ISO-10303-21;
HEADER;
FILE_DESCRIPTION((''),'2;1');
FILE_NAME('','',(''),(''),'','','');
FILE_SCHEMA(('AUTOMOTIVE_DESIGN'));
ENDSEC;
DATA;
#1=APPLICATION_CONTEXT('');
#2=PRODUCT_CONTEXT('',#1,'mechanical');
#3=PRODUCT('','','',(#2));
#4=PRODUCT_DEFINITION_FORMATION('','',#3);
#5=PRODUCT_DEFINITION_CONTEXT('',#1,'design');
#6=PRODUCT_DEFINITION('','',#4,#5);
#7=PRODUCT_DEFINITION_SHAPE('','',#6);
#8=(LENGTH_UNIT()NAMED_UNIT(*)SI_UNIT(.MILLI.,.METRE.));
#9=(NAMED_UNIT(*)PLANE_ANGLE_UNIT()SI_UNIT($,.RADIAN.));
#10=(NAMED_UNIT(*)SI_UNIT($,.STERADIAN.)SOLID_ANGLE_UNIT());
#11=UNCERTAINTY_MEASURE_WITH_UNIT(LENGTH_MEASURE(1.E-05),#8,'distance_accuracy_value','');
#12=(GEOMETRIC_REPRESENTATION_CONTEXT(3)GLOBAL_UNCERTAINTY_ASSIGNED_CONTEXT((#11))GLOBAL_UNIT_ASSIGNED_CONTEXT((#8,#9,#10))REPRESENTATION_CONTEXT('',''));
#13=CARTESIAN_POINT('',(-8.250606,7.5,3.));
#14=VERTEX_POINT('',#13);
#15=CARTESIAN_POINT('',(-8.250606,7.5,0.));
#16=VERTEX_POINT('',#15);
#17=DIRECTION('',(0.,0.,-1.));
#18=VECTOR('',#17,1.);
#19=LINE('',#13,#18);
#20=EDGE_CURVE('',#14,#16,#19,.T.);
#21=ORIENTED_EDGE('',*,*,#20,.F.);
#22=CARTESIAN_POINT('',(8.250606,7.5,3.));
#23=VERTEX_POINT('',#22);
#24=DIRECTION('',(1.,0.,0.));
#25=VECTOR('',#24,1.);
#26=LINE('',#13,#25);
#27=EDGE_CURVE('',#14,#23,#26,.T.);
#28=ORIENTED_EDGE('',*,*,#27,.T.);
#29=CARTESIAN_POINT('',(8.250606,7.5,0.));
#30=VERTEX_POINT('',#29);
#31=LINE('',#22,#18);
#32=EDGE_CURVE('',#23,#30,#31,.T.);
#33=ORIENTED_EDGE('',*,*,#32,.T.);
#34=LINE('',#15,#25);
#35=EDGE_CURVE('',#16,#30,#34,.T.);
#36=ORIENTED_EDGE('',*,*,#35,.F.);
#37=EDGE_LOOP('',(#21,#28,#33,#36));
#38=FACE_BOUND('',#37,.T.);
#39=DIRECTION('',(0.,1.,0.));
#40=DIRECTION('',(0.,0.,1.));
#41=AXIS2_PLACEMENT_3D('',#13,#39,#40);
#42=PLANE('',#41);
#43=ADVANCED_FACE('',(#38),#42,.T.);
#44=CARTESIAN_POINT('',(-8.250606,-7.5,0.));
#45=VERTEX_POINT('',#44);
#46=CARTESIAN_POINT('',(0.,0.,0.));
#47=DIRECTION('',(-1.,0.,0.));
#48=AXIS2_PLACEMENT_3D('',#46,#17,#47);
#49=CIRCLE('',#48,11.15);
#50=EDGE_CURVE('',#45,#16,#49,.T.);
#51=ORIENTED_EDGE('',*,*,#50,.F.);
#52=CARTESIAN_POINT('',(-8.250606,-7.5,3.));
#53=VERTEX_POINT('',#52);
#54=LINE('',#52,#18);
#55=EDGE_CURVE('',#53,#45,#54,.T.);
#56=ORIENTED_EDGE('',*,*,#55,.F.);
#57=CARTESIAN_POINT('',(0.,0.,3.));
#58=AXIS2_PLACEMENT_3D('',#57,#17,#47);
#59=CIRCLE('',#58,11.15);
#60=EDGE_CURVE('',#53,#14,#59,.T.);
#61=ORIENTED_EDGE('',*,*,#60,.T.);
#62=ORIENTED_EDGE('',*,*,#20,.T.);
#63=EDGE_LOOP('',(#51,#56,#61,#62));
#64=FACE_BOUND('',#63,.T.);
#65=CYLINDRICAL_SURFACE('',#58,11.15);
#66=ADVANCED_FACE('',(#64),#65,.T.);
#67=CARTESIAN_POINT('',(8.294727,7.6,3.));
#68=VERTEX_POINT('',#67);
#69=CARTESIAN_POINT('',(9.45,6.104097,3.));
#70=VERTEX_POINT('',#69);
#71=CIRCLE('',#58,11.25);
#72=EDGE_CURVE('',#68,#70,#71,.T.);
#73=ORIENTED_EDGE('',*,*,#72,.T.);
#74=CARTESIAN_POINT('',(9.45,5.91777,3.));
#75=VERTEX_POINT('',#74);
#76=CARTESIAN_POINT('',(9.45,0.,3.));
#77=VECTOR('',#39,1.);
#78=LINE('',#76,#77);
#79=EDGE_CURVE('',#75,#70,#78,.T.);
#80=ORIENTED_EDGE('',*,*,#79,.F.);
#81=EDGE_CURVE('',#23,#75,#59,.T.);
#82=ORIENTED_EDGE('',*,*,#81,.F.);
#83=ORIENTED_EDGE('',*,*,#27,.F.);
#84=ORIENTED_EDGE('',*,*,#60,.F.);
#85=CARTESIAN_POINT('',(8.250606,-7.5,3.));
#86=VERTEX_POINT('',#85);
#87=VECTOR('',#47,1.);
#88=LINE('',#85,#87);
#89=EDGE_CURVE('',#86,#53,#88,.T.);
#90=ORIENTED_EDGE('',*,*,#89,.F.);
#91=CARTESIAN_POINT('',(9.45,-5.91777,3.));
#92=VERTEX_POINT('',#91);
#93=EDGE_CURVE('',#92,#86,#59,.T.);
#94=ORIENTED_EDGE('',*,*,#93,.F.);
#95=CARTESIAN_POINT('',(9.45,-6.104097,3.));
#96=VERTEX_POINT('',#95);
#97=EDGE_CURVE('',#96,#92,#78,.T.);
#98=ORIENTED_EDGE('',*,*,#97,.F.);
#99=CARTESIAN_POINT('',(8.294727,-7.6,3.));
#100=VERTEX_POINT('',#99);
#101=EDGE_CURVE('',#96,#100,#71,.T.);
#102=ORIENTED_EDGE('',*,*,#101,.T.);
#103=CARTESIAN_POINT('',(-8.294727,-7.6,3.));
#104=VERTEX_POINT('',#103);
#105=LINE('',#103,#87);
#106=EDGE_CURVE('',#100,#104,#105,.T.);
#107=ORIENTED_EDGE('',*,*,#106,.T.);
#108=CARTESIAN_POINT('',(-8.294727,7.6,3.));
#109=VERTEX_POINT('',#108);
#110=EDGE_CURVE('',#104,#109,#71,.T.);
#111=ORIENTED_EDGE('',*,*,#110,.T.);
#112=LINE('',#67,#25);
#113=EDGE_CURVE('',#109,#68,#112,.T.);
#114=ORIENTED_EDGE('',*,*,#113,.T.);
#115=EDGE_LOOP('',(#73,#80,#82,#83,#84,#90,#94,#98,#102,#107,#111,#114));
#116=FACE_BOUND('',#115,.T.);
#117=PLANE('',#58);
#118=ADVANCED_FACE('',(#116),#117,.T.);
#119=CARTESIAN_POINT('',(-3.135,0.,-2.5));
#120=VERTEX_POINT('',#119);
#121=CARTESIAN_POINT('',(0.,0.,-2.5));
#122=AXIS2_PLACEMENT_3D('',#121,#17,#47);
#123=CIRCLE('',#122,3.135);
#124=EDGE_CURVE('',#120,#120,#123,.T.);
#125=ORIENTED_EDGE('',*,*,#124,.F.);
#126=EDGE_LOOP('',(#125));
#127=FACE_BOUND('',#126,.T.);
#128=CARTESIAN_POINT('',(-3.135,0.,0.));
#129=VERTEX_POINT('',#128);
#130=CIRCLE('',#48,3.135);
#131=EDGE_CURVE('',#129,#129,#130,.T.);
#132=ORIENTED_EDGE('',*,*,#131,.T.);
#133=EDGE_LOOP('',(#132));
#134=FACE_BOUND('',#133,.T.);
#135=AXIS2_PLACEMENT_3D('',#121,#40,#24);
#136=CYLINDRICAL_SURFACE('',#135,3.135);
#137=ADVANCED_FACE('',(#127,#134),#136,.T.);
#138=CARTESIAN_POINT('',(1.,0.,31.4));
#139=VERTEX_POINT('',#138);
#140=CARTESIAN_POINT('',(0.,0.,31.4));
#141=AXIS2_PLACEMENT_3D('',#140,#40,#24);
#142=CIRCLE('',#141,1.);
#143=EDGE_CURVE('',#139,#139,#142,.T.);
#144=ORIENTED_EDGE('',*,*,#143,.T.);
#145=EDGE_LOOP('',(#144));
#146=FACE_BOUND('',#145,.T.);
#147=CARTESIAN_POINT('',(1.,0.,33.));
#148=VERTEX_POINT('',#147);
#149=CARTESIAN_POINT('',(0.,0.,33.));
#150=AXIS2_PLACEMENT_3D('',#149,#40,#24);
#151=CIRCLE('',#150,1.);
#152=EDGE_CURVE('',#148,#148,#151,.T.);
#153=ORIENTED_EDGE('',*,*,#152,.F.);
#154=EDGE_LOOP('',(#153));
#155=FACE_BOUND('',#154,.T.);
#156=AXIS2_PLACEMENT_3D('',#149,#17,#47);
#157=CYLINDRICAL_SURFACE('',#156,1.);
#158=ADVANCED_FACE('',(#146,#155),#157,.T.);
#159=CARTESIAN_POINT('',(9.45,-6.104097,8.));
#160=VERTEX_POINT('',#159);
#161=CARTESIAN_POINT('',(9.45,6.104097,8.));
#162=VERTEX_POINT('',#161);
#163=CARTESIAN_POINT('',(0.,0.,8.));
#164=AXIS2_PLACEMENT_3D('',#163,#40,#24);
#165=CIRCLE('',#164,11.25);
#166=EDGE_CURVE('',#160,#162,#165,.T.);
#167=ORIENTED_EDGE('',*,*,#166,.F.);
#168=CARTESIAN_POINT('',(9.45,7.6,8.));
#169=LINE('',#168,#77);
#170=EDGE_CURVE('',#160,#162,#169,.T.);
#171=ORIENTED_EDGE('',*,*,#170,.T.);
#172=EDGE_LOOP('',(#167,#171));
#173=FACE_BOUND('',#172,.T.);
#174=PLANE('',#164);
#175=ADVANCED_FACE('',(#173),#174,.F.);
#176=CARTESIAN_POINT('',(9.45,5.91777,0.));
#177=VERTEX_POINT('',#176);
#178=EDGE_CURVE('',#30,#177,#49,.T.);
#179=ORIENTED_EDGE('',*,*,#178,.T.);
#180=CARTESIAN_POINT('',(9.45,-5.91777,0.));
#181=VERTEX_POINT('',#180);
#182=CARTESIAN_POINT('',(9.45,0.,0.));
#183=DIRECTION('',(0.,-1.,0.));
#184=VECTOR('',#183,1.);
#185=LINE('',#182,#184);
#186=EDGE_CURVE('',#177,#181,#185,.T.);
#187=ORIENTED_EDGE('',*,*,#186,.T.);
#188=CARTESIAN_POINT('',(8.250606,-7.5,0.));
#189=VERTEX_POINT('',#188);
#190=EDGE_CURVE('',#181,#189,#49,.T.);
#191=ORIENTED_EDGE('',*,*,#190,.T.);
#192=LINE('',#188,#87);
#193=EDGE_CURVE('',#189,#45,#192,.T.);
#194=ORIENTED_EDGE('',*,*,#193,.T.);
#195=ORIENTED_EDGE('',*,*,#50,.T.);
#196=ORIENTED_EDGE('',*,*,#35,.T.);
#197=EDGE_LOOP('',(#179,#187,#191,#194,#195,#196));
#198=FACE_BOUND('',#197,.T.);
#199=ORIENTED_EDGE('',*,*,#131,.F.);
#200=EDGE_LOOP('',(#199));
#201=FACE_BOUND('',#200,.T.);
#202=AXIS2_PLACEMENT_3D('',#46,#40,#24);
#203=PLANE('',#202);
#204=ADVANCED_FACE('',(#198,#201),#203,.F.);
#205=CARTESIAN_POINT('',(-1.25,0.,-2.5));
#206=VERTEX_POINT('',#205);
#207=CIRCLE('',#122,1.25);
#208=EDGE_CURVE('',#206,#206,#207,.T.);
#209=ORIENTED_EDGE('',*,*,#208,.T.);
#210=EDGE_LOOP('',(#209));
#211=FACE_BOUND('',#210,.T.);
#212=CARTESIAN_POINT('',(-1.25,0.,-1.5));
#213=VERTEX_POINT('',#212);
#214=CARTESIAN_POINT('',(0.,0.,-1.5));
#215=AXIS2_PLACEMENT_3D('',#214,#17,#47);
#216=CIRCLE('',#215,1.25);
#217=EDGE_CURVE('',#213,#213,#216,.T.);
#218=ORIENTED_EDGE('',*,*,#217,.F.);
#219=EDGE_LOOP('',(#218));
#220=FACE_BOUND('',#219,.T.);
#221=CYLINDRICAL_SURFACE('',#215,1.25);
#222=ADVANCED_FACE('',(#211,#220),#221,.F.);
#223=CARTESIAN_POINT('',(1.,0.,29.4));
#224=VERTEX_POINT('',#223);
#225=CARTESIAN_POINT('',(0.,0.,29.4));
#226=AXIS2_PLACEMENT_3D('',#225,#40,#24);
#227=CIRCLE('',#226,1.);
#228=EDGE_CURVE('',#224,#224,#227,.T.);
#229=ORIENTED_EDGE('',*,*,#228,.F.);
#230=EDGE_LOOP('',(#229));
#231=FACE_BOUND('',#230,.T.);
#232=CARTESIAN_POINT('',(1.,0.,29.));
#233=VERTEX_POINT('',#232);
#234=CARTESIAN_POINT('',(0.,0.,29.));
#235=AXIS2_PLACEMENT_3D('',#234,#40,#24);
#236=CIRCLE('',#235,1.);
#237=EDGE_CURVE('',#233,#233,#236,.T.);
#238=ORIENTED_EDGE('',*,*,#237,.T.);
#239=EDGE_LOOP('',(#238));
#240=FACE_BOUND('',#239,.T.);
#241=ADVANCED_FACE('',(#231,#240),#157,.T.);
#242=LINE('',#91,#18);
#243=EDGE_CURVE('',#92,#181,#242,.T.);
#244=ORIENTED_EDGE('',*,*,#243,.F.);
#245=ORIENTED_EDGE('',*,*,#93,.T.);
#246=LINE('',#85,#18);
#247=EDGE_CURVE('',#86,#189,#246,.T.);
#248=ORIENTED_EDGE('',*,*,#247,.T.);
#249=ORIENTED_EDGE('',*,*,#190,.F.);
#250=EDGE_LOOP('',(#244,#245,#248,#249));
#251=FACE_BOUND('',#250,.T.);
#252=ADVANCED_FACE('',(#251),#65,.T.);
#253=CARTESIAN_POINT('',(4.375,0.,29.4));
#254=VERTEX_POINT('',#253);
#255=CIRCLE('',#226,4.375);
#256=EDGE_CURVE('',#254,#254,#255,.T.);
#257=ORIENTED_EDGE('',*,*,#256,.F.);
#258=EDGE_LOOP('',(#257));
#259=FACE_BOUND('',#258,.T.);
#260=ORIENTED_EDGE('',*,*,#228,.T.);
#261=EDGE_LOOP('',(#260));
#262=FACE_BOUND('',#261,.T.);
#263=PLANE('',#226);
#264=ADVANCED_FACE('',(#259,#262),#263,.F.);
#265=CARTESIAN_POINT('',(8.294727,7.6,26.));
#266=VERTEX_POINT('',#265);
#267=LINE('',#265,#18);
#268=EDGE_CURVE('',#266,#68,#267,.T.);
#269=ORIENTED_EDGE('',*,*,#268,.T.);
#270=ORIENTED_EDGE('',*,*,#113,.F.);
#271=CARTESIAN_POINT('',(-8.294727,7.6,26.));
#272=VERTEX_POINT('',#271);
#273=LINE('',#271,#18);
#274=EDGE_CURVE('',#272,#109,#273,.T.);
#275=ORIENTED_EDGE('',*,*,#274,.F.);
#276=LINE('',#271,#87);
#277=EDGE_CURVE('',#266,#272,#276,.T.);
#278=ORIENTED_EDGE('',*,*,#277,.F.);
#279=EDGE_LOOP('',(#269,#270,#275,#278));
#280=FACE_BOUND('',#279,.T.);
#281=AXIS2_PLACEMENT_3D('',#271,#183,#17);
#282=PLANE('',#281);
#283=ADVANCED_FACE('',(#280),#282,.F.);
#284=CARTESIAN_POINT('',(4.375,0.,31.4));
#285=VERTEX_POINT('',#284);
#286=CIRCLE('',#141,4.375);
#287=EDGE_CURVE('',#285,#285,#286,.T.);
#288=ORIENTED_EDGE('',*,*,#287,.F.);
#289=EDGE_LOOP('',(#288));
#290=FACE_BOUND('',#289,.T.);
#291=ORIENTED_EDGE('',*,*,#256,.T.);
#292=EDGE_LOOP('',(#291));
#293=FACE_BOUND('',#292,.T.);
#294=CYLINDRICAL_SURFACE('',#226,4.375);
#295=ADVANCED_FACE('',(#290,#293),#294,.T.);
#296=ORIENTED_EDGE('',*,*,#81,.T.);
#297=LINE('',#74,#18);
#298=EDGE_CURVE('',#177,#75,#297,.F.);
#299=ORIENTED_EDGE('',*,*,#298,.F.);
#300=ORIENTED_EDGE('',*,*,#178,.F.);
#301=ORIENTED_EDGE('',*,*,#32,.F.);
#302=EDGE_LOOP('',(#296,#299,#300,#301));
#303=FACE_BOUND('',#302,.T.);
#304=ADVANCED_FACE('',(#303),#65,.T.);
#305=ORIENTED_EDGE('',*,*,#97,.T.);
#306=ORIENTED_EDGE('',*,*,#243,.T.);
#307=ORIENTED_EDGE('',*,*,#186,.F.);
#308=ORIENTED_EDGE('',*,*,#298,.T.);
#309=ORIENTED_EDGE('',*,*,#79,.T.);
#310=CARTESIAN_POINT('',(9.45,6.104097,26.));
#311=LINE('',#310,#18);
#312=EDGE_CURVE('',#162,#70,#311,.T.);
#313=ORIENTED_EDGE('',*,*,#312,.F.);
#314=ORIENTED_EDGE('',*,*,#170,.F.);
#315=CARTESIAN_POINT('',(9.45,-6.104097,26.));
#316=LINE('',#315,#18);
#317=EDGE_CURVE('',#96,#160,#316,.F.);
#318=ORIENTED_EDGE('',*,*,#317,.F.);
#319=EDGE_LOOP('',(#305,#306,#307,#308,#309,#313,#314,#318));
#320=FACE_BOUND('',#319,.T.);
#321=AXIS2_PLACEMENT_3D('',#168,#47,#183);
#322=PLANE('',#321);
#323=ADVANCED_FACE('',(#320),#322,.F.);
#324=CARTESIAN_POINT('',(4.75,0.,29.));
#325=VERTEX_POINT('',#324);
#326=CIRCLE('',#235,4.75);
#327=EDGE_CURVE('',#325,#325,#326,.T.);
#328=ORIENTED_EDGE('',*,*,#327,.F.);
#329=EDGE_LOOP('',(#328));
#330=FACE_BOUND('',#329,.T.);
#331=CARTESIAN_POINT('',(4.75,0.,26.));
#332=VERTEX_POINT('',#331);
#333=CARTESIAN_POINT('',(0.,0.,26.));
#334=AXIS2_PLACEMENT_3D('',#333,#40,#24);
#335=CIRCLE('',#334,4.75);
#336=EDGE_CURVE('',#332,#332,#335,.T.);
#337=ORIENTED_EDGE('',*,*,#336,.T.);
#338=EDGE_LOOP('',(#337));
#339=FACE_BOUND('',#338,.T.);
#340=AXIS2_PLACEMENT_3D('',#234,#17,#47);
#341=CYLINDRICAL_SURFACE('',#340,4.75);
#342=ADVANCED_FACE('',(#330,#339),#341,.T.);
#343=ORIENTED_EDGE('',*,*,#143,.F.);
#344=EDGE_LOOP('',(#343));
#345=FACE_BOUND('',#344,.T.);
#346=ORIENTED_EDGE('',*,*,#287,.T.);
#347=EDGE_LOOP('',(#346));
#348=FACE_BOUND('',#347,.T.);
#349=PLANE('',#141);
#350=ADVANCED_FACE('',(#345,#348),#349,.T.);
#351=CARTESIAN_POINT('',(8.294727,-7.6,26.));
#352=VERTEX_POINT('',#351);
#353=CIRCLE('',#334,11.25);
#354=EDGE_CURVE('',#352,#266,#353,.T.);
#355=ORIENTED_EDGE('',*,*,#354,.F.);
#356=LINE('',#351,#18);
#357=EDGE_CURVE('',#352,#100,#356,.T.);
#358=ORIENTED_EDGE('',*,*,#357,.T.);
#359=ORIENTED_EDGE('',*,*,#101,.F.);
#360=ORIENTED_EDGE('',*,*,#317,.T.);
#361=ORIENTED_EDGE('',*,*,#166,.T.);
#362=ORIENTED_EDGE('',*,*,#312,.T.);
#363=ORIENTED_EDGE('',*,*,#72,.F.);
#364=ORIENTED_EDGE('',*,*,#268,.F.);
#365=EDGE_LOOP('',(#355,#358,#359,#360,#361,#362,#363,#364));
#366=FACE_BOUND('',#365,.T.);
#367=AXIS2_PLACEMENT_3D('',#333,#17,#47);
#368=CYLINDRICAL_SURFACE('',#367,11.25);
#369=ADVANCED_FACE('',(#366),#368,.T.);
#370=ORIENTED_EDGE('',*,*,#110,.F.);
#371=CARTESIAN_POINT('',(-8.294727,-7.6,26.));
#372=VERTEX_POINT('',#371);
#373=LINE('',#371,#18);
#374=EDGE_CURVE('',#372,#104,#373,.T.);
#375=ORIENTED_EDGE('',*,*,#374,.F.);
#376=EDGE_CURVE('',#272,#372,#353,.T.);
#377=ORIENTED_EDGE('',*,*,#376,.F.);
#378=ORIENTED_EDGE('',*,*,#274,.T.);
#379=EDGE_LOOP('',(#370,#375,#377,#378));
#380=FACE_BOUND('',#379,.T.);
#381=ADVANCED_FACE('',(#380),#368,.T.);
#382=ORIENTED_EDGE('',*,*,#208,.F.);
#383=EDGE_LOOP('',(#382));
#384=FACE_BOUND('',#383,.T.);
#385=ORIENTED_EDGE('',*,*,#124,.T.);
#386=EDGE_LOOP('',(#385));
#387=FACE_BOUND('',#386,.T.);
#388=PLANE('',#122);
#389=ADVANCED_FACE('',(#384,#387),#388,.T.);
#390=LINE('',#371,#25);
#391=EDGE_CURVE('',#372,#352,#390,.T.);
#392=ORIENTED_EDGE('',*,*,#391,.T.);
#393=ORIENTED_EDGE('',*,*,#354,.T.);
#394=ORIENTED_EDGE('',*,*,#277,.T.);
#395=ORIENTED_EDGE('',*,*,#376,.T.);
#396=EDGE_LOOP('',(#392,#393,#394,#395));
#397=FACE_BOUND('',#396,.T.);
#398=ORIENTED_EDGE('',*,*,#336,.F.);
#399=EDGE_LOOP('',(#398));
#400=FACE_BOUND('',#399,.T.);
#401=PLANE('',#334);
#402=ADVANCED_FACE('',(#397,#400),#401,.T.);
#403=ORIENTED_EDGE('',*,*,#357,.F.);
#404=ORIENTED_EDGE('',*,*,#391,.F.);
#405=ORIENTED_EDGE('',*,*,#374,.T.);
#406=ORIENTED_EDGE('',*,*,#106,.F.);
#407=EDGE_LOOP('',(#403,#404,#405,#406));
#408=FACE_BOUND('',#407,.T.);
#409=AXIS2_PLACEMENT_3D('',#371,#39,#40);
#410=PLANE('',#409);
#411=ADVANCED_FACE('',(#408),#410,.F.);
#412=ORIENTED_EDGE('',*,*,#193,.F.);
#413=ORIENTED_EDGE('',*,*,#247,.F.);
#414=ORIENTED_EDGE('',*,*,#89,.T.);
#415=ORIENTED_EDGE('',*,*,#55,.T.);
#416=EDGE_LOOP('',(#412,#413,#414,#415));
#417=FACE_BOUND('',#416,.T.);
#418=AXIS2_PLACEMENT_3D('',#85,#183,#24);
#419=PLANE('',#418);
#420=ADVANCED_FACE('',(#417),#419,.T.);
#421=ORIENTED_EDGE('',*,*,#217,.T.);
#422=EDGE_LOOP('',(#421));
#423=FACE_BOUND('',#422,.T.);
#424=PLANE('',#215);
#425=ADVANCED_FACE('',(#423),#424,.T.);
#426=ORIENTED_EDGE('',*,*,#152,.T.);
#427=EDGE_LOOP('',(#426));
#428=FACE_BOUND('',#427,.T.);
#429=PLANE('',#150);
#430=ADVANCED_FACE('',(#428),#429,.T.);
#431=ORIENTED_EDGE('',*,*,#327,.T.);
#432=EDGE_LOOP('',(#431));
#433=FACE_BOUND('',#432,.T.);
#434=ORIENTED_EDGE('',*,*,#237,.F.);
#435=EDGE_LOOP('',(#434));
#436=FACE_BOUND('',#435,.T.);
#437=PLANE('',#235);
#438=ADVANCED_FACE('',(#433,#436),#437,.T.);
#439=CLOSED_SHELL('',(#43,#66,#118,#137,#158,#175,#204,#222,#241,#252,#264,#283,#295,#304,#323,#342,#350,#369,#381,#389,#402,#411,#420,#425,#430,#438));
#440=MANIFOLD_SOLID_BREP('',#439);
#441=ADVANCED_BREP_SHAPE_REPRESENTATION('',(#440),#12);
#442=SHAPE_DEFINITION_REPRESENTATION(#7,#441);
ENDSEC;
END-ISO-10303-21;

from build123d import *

# Parameters (mm, degrees)
EXTRUDE_1_DEPTH     = 26
SKETCH_2_R          = 4.75
EXTRUDE_2_DEPTH     = 3
SKETCH_3_R          = 1
EXTRUDE_3_DEPTH     = 4
SKETCH_4_R          = 4.375
T20X0_4_DEPTH       = 2
CUT_EXTRUDE_1_DEPTH = 3
SKETCH_6_R          = 3.135
EXTRUDE_5_DEPTH     = 2.5
SKETCH_7_R          = 1.25
CUT_EXTRUDE_2_DEPTH = 1
SKETCH_8_W          = 1.8
SKETCH_8_H          = 15.2
CUT_EXTRUDE_3_DEPTH = 8


with BuildPart() as part:
    # 草图1 → 凸台-拉伸1 (new body)
    with BuildSketch(Plane.XY):
        with BuildLine():
            Line((-8.294727241, 7.6), (8.294727241, 7.6))
            ThreePointArc((8.294727241, 7.6), (11.25, 0), (8.294727241, -7.6))
            Line((8.294727241, -7.6), (-8.294727241, -7.6))
            ThreePointArc((-8.294727241, -7.6), (-11.25, 0), (-8.294727241, 7.6))
        make_face()
    extrude(amount=EXTRUDE_1_DEPTH)

    # 草图2 → 凸台-拉伸2 (add)
    with BuildSketch(Plane.XY.offset(26)):
        Circle(SKETCH_2_R)
    extrude(amount=EXTRUDE_2_DEPTH)

    # 草图3 → 凸台-拉伸3 (add)
    with BuildSketch(Plane.XY.offset(29)):
        Circle(SKETCH_3_R)
    extrude(amount=EXTRUDE_3_DEPTH)

    # 草图4 → T20x0.4 (add)
    with BuildSketch(Plane.XY.offset(31.4)):
        Circle(SKETCH_4_R)
    extrude(amount=-T20X0_4_DEPTH)

    # 草图5 → 切除-拉伸1 (cut)
    with BuildSketch(Plane(origin=(0, 0, 0), x_dir=(-1, 0, 0), z_dir=(0, 0, -1))):
        with BuildLine():
            Line((8.294727241, -7.6), (-8.294727241, -7.6))
            ThreePointArc((-8.294727241, -7.6), (-11.25, 0), (-8.294727241, 7.6))
            Line((-8.294727241, 7.6), (8.294727241, 7.6))
            ThreePointArc((8.294727241, 7.6), (11.25, 0), (8.294727241, -7.6))
        make_face()
        with BuildLine():
            Line((8.250606038, 7.5), (-8.250606038, 7.5))
            ThreePointArc((-8.250606038, 7.5), (-11.15, 0), (-8.250606038, -7.5))
            Line((-8.250606038, -7.5), (8.250606038, -7.5))
            ThreePointArc((8.250606038, -7.5), (11.15, 0), (8.250606038, 7.5))
        make_face(mode=Mode.SUBTRACT)
    extrude(amount=-CUT_EXTRUDE_1_DEPTH, mode=Mode.SUBTRACT)

    # 草图6 → 凸台-拉伸5 (add)
    with BuildSketch(Plane(origin=(0, 0, 0), x_dir=(-1, 0, 0), z_dir=(0, 0, -1))):
        Circle(SKETCH_6_R)
    extrude(amount=EXTRUDE_5_DEPTH)

    # 草图7 → 切除-拉伸2 (cut)
    with BuildSketch(Plane(origin=(0, 0, -2.5), x_dir=(-1, 0, 0), z_dir=(0, 0, -1))):
        Circle(SKETCH_7_R)
    extrude(amount=-CUT_EXTRUDE_2_DEPTH, mode=Mode.SUBTRACT)

    # 草图8 → 切除-拉伸3 (cut)
    with BuildSketch(Plane(origin=(0, 0, 0), x_dir=(-1, 0, 0), z_dir=(0, 0, -1))):
        with Locations((-10.35, 0)):
            Rectangle(SKETCH_8_W, SKETCH_8_H)
    extrude(amount=-CUT_EXTRUDE_3_DEPTH, mode=Mode.SUBTRACT)


solid = part.part
